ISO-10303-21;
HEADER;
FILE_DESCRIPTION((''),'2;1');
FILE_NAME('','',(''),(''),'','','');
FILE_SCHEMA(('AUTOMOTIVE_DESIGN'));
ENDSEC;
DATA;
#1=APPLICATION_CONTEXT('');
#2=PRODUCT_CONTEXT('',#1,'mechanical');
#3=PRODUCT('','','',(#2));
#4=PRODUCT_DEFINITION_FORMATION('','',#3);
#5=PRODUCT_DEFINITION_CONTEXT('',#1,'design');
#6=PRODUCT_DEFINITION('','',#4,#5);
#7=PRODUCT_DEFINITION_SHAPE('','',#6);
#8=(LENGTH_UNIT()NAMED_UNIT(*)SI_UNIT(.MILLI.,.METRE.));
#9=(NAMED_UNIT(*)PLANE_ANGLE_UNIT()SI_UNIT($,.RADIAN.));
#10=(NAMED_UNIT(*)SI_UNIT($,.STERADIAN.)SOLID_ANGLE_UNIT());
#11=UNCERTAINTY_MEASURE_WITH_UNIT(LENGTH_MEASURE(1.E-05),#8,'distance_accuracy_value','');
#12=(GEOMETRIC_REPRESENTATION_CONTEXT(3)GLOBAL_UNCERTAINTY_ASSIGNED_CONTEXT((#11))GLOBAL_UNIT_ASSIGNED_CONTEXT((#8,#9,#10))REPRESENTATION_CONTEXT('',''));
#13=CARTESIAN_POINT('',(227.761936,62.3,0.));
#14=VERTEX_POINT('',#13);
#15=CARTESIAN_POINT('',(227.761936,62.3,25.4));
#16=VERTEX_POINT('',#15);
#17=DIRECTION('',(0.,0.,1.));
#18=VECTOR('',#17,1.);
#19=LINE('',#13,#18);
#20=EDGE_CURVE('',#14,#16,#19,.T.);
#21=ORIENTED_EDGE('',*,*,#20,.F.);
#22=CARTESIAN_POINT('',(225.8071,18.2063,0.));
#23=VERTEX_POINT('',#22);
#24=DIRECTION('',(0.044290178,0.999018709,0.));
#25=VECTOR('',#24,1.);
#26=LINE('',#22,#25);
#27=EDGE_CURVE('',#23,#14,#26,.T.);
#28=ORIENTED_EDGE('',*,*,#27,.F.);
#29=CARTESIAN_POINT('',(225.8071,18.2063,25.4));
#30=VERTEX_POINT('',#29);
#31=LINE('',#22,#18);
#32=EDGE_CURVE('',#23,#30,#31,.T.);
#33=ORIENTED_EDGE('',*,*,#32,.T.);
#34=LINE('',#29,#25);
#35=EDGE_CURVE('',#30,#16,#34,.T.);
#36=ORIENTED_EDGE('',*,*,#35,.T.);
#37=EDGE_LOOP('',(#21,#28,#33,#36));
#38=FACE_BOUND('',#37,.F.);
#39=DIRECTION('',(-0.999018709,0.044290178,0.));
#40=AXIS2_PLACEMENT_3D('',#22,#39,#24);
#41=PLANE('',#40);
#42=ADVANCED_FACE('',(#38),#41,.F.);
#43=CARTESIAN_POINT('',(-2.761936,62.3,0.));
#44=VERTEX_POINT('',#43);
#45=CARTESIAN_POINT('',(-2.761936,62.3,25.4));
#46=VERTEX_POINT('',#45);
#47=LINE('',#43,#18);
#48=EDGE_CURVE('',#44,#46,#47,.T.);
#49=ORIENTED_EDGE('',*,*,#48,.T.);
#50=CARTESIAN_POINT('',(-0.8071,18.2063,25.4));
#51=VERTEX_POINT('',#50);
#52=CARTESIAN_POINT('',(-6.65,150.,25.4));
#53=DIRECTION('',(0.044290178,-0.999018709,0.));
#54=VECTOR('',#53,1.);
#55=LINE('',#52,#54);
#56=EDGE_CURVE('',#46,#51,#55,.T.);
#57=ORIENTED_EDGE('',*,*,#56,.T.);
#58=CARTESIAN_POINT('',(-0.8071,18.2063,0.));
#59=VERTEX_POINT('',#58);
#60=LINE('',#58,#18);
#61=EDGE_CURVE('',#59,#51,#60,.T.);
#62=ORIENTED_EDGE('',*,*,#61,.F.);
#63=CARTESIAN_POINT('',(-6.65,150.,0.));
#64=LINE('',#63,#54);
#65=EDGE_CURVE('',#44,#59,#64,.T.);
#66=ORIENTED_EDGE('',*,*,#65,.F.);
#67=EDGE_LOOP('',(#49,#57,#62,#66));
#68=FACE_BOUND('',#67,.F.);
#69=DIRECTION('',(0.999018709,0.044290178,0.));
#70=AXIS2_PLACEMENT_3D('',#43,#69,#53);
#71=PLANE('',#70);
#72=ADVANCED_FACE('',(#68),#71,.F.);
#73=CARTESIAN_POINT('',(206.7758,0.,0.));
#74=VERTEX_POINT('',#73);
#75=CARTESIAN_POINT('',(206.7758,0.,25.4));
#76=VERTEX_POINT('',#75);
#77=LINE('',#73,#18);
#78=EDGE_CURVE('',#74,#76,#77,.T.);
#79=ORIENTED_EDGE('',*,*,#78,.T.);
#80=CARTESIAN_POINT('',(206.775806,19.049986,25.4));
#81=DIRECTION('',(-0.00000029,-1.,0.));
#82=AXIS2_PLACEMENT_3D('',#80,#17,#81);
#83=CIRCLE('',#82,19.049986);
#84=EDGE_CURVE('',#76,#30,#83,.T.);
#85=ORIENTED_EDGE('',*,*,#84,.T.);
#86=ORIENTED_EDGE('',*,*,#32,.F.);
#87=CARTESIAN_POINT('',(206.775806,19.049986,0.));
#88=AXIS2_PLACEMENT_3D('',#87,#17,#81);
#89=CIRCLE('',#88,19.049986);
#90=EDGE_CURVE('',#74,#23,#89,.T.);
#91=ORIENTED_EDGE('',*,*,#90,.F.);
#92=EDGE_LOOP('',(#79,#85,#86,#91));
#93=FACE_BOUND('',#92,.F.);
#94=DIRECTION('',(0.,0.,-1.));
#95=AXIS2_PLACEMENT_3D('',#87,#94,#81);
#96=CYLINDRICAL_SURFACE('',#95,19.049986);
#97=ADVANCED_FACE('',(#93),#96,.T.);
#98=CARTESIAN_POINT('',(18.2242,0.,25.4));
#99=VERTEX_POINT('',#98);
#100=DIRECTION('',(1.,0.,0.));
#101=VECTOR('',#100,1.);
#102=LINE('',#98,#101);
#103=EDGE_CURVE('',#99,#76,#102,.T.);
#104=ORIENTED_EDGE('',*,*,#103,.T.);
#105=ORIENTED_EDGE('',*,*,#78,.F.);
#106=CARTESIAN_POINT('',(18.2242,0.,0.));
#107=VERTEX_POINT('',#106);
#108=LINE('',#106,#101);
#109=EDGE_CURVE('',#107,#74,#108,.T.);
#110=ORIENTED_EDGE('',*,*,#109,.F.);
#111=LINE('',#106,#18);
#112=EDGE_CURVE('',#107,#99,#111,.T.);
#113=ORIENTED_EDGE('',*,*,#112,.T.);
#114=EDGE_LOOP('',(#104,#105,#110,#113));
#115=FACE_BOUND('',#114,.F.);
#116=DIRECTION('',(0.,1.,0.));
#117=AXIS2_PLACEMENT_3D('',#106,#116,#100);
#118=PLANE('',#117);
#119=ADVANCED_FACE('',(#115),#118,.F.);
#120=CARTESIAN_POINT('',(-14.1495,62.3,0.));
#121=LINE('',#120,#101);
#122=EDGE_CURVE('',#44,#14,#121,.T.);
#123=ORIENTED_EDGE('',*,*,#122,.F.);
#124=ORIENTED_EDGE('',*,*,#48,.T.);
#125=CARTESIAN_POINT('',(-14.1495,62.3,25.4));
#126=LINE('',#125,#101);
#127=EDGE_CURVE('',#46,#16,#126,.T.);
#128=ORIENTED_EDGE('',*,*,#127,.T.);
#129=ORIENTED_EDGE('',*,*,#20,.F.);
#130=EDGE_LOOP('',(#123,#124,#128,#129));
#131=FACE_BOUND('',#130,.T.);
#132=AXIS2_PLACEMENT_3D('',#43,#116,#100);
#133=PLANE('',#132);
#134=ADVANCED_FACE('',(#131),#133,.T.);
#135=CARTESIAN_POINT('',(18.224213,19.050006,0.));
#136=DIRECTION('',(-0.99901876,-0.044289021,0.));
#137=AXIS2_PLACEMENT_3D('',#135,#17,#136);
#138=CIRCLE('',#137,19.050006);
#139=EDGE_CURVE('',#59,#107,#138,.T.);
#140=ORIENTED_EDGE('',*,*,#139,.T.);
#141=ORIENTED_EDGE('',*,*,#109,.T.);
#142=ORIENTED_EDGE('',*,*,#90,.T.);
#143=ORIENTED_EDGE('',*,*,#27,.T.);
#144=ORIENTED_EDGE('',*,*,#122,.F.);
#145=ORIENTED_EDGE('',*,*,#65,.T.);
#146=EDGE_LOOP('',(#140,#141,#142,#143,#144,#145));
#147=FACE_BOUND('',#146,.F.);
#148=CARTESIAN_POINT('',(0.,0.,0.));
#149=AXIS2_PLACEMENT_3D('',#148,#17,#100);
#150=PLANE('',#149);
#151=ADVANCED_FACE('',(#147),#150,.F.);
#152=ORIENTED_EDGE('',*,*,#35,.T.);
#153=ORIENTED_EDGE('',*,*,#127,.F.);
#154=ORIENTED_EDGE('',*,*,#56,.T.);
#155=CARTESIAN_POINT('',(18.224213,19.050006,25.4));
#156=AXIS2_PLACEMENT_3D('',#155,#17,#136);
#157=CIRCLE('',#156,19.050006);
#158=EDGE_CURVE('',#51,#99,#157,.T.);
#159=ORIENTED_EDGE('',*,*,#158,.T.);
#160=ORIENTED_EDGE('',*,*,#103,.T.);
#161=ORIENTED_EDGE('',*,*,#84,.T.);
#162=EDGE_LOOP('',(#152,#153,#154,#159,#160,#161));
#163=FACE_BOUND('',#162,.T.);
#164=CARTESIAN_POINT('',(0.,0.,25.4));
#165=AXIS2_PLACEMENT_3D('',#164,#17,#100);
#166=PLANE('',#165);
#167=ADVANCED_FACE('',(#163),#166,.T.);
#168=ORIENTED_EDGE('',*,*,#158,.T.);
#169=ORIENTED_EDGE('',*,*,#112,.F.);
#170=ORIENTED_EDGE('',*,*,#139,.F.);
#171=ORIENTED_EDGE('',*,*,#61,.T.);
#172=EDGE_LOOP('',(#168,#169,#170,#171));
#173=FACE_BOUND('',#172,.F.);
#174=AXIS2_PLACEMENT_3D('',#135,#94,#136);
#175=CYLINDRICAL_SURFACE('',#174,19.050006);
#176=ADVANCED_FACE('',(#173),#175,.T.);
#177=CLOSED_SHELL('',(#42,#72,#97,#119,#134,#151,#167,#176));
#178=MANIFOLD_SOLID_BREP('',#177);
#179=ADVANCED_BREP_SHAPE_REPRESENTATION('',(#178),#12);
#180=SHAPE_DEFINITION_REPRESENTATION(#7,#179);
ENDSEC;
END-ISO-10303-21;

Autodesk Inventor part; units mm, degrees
ref_plane "YZ Plane" through (0, 0, 0) normal (1, 0, 0) x (0, 1, 0)
ref_plane "XZ Plane" through (0, 0, 0) normal (0, 1, 0) x (-1, 0, 0)
ref_plane "XY Plane" through (0, 0, 0) normal (0, 0, 1) x (1, 0, 0)
sketch "Sketch1" plane through (0, 0, 0) normal (0, 0, 1) x (1, 0, 0)
  line L0 (18.2242, 0) -> (206.7758, 0)
  line L1 (-6.65, 150) -> (231.65, 150)
  line L2 (-6.65, 150) -> (-0.8071, 18.2063)
  line L3 (225.8071, 18.2063) -> (231.65, 150)
  arc A0 (-0.8071, 18.2063) -> (18.2242, 0) centre (18.2242, 19.05) ccw
  arc A1 (206.7758, 0) -> (225.8071, 18.2063) centre (206.7758, 19.05) ccw
  line L4 (-14.1495, 62.3) -> (284.7503, 62.3)
  point P0 (0, 0)
  point P1 (225, 0)
  point P2 (112.5, 0)
  point P3 (112.5, 150)
  point P4 (227.762, 62.3)
  point P5 (-2.762, 62.3)
  dimension "d0" = 225
  dimension "d1" = 150
  dimension "d2" = 238.3
  dimension "d4" = 19.05
  dimension "d11" = 0
  dimension "d12" = 62.3
extrude "Extrusion1" add sketch "Sketch1" along normal blind 25.4 contours A0 L2 L4 L3 A1 L0
sketch "Sketch2" plane through (0, 0, 25.4) normal (0, 0, 1) x (1, 0, 0)
  line L0 (243.0343, 163.5066) -> (27.3006, 163.5066)
  line L1 (27.3006, 163.5066) -> (27.3006, 18.9917)
  line L2 (27.3006, 18.9917) -> (243.0343, 18.9917)
  line L3 (243.0343, 18.9917) -> (243.0343, 163.5066)
  line L4 (27.1522, 18.9917) -> (243.0343, 18.9917)
  line L5 (243.0343, 18.9917) -> (243.0343, -17.0628)
  line L6 (243.0343, -17.0628) -> (27.1522, -17.0628)
  line L7 (27.1522, -17.0628) -> (27.1522, 18.9917)
  point P0 (0, 0)
extrude "Test" [suppressed]
properties part number "Divider_3DPrint"
